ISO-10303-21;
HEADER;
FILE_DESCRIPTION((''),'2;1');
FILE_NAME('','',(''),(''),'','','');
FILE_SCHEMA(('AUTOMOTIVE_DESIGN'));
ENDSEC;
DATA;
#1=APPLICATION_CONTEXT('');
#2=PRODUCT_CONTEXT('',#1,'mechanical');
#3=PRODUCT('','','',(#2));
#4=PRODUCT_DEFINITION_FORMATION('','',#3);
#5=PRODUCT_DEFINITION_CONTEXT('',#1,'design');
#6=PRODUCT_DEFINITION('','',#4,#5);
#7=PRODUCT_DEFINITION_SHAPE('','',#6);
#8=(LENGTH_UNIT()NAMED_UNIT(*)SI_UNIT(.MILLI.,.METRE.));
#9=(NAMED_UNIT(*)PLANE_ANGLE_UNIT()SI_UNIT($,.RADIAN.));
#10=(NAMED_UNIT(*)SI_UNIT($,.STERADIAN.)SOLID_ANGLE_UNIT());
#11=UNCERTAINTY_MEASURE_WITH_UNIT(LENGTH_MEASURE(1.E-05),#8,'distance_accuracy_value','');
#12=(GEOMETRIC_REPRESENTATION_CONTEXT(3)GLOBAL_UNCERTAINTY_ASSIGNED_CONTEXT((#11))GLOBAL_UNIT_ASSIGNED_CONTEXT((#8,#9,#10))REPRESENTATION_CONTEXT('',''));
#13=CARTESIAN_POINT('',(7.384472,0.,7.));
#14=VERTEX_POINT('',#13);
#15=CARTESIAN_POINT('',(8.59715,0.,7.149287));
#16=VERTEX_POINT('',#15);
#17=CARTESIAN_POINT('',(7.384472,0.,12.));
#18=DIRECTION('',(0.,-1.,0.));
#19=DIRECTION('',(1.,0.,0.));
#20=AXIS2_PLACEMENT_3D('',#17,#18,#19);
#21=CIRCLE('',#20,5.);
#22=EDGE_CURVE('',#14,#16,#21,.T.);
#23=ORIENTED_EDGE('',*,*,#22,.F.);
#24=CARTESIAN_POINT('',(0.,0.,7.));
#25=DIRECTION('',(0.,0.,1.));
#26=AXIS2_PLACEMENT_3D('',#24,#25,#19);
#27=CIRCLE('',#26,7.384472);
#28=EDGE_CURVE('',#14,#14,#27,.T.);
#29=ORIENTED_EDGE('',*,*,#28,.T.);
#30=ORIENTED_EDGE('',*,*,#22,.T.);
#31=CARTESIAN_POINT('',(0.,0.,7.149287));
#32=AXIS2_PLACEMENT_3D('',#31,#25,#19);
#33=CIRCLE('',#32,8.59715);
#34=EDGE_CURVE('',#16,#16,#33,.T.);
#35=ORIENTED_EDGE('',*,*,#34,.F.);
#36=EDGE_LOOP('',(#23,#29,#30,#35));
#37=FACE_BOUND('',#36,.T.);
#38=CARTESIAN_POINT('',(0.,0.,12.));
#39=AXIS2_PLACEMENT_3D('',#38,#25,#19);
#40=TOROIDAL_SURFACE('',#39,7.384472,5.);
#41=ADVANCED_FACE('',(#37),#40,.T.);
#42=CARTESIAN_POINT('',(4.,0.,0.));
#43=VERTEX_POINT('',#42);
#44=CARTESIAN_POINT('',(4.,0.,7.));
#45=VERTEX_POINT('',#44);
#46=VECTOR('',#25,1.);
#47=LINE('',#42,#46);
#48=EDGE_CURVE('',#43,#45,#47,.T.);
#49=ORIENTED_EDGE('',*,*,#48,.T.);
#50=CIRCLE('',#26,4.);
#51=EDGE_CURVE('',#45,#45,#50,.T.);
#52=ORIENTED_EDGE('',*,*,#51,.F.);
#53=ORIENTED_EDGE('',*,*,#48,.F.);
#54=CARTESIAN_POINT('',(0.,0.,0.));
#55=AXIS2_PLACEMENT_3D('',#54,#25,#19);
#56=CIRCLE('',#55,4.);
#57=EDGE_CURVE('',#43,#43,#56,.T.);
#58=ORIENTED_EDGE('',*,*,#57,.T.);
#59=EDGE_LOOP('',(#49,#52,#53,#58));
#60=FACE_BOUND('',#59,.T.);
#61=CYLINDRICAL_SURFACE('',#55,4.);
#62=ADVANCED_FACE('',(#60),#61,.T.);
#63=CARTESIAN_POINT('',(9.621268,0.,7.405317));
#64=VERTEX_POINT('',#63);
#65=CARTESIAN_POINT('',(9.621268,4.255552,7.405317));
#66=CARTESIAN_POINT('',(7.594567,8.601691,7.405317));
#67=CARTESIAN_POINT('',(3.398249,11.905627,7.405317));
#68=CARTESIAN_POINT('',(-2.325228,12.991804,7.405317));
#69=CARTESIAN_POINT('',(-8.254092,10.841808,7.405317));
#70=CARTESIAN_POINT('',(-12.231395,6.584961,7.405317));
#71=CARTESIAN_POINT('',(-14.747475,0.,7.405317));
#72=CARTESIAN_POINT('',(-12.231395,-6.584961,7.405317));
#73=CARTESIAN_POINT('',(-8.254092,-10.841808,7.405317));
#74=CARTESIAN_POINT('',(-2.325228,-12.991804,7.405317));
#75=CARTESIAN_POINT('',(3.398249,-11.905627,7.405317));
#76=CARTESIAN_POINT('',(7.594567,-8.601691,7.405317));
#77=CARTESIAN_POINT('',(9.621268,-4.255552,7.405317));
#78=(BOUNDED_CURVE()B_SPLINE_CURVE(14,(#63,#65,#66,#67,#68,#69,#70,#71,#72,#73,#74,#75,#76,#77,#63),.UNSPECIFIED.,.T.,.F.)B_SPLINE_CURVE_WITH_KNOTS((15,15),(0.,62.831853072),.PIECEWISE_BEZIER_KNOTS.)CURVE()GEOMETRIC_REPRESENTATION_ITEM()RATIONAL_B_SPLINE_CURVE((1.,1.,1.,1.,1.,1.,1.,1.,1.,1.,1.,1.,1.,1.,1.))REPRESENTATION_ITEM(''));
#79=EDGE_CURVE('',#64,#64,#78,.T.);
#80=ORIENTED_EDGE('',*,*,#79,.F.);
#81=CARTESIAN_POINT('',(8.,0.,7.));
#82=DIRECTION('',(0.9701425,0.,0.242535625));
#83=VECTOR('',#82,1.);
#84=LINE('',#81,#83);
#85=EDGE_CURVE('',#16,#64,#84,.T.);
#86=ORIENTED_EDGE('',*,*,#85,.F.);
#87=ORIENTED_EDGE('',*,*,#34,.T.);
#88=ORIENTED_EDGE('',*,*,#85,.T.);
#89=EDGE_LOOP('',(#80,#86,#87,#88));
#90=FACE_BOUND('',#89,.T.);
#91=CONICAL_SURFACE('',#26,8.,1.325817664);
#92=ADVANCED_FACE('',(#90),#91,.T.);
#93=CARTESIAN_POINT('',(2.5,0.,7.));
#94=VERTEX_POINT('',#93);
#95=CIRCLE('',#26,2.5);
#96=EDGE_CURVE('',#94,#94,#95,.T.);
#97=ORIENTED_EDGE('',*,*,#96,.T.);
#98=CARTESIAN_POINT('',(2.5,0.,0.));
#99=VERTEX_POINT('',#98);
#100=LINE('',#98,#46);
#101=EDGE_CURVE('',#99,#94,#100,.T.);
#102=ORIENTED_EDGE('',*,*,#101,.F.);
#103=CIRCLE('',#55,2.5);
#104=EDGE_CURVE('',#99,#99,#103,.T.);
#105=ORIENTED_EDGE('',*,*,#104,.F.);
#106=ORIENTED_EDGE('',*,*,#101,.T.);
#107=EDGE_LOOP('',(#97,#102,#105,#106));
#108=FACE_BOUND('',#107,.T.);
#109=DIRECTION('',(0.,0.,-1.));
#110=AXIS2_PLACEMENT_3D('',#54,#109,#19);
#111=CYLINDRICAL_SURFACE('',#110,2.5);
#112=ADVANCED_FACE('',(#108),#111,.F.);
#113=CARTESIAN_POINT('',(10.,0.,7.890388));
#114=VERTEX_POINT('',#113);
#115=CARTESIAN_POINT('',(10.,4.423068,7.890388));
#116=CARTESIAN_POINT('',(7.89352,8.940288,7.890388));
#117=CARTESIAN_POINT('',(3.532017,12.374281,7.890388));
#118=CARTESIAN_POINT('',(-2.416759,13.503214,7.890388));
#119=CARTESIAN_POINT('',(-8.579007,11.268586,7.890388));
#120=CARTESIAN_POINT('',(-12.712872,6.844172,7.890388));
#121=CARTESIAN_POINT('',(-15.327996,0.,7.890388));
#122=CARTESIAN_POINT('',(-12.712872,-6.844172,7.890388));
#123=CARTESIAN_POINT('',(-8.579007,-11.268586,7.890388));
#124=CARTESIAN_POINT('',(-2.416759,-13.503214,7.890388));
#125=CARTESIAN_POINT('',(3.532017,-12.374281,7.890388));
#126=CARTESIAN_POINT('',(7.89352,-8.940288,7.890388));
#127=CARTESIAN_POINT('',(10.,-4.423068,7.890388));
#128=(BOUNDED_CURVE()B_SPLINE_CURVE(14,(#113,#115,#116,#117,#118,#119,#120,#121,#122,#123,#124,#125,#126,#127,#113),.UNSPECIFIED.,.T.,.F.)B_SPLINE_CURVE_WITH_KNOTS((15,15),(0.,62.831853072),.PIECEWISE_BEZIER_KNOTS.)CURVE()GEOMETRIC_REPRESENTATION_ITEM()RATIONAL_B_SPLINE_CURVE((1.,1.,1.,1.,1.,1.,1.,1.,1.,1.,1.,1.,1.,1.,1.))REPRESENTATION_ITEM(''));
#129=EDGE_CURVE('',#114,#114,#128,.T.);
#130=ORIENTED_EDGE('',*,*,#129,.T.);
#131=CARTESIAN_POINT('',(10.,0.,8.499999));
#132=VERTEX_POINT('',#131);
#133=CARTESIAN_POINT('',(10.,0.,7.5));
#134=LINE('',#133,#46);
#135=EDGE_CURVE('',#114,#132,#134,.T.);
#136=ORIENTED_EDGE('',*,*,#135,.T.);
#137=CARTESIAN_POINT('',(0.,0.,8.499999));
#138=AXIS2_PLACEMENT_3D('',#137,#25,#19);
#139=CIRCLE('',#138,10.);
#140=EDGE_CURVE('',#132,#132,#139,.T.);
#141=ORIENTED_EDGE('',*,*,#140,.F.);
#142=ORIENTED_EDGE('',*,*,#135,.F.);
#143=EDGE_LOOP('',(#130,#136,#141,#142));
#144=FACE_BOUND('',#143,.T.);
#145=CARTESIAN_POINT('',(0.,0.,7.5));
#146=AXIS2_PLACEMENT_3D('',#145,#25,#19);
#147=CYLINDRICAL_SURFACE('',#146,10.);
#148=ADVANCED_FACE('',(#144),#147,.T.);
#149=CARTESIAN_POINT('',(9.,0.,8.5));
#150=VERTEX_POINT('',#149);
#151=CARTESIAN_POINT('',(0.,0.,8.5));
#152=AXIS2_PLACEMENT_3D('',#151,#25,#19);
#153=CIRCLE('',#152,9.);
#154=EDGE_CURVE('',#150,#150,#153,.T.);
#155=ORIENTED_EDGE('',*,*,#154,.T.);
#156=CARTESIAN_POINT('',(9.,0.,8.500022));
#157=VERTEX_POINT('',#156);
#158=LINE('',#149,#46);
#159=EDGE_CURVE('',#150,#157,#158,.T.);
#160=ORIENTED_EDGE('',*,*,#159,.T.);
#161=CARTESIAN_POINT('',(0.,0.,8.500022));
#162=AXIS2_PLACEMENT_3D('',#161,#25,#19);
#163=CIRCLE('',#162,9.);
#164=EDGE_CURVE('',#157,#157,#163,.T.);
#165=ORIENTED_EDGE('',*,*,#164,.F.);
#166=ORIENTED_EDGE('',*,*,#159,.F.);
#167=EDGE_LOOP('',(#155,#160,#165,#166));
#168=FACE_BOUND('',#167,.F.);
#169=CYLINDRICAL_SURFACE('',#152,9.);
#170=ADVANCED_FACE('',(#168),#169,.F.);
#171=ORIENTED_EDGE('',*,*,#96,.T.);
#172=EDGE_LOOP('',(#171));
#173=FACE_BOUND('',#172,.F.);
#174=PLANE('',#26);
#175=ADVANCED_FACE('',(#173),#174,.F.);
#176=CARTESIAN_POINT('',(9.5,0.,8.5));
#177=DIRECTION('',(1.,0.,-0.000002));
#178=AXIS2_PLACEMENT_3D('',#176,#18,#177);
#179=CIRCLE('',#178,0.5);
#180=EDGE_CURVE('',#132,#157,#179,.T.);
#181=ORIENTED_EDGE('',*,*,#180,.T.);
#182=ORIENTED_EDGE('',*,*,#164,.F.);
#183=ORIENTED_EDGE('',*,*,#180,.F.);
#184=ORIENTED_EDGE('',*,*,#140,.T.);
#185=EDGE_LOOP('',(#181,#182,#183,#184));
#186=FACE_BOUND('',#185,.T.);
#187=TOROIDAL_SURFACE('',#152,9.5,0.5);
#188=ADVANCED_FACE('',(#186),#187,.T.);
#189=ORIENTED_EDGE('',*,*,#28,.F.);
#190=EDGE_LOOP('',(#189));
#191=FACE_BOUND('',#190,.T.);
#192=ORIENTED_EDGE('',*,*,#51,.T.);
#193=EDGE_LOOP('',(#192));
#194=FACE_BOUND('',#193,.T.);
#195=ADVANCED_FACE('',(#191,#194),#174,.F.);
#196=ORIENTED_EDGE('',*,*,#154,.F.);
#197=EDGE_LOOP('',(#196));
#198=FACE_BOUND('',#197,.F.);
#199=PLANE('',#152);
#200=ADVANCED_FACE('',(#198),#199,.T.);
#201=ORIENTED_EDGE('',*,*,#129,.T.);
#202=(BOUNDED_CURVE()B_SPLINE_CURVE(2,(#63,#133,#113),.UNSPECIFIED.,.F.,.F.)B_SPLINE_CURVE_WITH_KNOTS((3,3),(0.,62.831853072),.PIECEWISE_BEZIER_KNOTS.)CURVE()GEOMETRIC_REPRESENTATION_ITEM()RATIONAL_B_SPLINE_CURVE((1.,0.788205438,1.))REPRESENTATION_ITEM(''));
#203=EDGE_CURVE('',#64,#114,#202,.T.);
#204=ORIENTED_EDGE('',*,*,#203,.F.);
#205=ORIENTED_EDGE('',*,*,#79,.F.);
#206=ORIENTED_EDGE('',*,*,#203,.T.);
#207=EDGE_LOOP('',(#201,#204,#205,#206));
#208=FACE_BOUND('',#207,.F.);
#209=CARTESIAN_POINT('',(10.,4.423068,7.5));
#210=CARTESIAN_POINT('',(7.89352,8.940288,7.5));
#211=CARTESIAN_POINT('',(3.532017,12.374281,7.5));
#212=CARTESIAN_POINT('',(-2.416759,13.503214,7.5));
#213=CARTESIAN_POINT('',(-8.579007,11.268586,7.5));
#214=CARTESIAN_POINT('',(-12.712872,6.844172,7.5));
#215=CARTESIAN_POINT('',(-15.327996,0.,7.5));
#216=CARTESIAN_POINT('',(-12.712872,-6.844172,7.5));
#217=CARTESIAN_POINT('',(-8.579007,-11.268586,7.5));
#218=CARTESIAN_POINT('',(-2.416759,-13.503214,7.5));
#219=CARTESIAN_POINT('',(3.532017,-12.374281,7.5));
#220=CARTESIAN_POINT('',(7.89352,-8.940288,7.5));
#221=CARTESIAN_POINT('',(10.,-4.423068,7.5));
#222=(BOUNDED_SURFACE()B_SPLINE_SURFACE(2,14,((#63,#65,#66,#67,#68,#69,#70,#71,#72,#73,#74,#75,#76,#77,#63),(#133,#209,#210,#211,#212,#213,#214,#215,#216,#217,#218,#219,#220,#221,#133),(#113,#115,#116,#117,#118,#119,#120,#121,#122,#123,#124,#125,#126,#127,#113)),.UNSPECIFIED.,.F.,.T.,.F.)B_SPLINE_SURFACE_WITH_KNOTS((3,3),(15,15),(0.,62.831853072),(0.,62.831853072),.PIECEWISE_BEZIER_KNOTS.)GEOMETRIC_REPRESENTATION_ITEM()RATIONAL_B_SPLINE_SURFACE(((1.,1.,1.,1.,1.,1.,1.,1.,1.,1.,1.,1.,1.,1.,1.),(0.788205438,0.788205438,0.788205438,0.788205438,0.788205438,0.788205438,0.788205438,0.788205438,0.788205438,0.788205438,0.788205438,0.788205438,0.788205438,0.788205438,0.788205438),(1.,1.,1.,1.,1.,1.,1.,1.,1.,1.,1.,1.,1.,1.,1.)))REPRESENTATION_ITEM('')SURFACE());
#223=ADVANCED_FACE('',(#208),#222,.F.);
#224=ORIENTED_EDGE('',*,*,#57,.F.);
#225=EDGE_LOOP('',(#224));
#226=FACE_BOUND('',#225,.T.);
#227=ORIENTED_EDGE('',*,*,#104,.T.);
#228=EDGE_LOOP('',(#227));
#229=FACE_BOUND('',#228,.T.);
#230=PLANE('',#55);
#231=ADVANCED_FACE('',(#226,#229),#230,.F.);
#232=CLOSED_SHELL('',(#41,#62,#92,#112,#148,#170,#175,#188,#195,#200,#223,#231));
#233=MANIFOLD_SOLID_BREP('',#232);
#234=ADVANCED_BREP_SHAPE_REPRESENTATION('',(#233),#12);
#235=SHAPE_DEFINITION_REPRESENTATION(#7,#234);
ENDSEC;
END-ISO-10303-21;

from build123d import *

# Parameters (mm, degrees)
CYLINDER_R     = 2.5
CYLINDER_DEPTH = 7
FILLET_1_R     = 5
FILLET_2_R     = 0.5


with BuildPart() as pocket:
    # Cylinder → Cylinder (new body)
    with BuildSketch(Plane.XY):
        Circle(CYLINDER_R)
    extrude(amount=CYLINDER_DEPTH)


with BuildPart() as handle:
    # Sketch → Revolution (revolve)
    with BuildSketch(Plane.XZ):
        with BuildLine():
            Line((0, 0), (4, 0))
            Line((4, 0), (4, 7))
            Line((4, 7), (8, 7))
            Line((8, 7), (10, 7.5))
            Line((10, 7.5), (10, 8.499999))
            ThreePointArc((10, 8.499999), (9.500011, 9), (9, 8.500022))
            Line((9, 8.5), (9, 8.500022))
            Line((0, 8.5), (9, 8.5))
            Line((0, 8.5), (0, 0))
        make_face()
    revolve(axis=Axis((0, 0, 0), (0, 0, 1)))

    # Fillet 1
    fillet_1_edges = [handle.edges().sort_by_distance(p)[0] for p in [
        (-8, 0, 7),
    ]]
    fillet(fillet_1_edges, radius=FILLET_1_R)

    # Fillet 2
    fillet_2_edges = [handle.edges().sort_by_distance(p)[0] for p in [
        (-10, 0, 7.5),
    ]]
    fillet(fillet_2_edges, radius=FILLET_2_R)

    # Cut: cut Pocket
    add(pocket.part, mode=Mode.SUBTRACT)


solid = handle.part
